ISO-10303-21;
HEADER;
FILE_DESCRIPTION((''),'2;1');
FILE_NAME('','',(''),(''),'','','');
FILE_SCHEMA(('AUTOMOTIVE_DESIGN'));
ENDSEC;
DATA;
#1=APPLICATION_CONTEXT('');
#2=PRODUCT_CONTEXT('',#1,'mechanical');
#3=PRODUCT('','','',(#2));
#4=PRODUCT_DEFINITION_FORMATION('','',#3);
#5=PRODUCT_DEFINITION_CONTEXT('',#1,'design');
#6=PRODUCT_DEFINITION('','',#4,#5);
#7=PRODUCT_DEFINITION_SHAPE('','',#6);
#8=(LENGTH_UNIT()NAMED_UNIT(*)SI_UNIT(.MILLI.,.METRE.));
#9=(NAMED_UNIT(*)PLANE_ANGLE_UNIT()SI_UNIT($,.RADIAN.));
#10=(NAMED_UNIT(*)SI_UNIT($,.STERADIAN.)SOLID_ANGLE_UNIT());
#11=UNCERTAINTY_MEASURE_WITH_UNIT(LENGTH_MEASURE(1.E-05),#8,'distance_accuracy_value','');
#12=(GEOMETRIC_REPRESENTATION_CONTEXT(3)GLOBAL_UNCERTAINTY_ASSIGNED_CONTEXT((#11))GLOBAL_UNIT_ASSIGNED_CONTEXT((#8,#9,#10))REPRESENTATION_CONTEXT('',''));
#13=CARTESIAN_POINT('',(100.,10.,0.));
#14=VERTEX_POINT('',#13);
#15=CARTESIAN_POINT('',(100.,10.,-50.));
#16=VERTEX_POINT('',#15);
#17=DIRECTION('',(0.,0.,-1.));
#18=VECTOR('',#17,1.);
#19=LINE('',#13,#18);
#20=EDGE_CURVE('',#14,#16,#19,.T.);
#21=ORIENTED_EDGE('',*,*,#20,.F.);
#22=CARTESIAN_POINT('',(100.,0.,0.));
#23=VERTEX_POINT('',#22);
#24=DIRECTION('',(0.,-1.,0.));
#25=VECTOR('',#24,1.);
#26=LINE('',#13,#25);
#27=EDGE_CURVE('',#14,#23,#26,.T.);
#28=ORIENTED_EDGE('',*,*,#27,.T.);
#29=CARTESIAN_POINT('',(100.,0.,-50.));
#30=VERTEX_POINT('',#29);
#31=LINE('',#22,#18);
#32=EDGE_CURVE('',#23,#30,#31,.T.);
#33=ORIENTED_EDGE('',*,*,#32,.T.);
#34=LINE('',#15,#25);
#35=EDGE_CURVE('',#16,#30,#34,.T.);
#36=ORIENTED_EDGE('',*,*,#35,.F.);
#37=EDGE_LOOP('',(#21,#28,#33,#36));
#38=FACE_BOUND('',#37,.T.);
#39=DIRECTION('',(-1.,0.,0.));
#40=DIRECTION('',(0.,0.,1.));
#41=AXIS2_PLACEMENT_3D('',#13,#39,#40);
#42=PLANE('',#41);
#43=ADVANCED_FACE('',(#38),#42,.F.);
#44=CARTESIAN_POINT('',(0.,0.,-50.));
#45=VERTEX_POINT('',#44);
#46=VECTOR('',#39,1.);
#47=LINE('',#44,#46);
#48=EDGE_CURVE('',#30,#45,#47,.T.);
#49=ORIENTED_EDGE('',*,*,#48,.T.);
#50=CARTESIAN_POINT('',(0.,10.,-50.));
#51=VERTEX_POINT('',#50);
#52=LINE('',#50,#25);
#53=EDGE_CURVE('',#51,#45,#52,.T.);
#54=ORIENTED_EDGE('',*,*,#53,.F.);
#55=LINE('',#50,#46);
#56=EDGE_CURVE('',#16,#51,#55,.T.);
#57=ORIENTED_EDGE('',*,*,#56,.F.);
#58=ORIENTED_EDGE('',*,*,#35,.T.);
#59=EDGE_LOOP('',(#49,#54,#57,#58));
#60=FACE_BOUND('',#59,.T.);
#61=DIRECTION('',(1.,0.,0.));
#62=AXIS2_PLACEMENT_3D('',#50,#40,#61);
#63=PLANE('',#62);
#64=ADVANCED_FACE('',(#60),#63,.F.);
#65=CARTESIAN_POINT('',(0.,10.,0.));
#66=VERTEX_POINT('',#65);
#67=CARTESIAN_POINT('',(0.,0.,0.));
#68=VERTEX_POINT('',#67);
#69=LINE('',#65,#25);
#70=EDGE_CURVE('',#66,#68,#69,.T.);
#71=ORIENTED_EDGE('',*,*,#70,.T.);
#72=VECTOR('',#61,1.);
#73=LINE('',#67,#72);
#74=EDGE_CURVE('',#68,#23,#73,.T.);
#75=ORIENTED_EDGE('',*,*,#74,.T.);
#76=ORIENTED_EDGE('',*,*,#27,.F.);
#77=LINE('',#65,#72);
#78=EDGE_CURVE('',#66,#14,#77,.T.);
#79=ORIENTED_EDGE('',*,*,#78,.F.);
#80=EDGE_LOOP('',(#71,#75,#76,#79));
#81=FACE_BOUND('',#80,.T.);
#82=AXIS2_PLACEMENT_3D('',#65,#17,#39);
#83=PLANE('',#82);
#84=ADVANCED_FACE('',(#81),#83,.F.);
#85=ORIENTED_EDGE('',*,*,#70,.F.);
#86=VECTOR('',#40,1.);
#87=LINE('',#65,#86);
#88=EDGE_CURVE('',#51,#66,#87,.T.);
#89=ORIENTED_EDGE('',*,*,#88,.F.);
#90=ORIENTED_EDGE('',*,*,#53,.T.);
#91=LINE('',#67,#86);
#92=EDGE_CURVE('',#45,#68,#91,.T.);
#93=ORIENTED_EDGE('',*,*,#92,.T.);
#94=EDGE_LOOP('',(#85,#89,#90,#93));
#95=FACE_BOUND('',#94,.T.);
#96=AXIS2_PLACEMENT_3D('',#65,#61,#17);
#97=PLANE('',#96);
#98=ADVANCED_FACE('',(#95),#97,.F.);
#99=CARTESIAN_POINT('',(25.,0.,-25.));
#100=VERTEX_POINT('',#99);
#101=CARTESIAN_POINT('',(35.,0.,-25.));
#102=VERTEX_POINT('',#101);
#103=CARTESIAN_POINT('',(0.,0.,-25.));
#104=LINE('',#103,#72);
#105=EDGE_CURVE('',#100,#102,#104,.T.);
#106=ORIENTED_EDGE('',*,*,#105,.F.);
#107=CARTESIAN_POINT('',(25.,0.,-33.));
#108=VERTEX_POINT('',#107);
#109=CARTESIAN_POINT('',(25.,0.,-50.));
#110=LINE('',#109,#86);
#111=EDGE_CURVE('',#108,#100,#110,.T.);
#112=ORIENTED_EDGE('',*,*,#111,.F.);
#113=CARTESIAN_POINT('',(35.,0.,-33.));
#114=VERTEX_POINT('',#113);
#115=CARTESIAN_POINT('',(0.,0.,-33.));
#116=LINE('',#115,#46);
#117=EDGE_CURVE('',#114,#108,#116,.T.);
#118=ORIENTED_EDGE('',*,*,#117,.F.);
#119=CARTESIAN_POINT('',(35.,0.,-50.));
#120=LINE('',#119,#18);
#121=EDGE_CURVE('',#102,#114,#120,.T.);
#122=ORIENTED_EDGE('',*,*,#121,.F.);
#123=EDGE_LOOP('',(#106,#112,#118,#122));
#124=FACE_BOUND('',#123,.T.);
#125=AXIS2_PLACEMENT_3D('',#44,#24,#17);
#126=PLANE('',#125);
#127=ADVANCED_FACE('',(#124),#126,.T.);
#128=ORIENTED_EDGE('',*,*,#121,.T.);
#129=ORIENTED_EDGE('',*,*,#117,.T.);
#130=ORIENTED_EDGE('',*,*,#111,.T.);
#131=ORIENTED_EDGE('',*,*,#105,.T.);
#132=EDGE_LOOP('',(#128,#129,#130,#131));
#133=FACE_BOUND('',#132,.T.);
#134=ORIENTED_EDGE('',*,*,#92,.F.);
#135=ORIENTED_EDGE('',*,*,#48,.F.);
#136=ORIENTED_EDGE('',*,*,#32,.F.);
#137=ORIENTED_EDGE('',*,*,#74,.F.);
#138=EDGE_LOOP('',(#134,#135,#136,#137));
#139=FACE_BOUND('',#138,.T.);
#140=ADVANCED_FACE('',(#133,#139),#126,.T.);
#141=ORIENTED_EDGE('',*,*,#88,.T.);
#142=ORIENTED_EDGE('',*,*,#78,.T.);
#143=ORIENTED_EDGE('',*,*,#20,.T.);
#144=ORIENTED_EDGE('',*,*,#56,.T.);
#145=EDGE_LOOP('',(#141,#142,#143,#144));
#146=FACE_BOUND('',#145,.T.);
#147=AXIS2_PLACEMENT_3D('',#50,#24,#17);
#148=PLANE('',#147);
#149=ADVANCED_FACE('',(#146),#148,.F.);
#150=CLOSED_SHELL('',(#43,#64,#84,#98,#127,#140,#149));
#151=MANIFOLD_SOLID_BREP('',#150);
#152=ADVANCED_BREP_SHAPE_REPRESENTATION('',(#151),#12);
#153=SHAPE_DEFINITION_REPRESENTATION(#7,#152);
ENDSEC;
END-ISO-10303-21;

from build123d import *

# Parameters (mm, degrees)
SKETCH1_W      = 100
SKETCH1_H      = 50
EXTRUDE1_DEPTH = 10


with BuildPart() as part:
    # Sketch1 → Extrude1 (new body)
    with BuildSketch(Plane(origin=(0, 0, 0), x_dir=(1, 0, 0), z_dir=(0, 1, 0))):
        with Locations((50, 25)):
            Rectangle(SKETCH1_W, SKETCH1_H)
    extrude(amount=EXTRUDE1_DEPTH)


solid = part.part
